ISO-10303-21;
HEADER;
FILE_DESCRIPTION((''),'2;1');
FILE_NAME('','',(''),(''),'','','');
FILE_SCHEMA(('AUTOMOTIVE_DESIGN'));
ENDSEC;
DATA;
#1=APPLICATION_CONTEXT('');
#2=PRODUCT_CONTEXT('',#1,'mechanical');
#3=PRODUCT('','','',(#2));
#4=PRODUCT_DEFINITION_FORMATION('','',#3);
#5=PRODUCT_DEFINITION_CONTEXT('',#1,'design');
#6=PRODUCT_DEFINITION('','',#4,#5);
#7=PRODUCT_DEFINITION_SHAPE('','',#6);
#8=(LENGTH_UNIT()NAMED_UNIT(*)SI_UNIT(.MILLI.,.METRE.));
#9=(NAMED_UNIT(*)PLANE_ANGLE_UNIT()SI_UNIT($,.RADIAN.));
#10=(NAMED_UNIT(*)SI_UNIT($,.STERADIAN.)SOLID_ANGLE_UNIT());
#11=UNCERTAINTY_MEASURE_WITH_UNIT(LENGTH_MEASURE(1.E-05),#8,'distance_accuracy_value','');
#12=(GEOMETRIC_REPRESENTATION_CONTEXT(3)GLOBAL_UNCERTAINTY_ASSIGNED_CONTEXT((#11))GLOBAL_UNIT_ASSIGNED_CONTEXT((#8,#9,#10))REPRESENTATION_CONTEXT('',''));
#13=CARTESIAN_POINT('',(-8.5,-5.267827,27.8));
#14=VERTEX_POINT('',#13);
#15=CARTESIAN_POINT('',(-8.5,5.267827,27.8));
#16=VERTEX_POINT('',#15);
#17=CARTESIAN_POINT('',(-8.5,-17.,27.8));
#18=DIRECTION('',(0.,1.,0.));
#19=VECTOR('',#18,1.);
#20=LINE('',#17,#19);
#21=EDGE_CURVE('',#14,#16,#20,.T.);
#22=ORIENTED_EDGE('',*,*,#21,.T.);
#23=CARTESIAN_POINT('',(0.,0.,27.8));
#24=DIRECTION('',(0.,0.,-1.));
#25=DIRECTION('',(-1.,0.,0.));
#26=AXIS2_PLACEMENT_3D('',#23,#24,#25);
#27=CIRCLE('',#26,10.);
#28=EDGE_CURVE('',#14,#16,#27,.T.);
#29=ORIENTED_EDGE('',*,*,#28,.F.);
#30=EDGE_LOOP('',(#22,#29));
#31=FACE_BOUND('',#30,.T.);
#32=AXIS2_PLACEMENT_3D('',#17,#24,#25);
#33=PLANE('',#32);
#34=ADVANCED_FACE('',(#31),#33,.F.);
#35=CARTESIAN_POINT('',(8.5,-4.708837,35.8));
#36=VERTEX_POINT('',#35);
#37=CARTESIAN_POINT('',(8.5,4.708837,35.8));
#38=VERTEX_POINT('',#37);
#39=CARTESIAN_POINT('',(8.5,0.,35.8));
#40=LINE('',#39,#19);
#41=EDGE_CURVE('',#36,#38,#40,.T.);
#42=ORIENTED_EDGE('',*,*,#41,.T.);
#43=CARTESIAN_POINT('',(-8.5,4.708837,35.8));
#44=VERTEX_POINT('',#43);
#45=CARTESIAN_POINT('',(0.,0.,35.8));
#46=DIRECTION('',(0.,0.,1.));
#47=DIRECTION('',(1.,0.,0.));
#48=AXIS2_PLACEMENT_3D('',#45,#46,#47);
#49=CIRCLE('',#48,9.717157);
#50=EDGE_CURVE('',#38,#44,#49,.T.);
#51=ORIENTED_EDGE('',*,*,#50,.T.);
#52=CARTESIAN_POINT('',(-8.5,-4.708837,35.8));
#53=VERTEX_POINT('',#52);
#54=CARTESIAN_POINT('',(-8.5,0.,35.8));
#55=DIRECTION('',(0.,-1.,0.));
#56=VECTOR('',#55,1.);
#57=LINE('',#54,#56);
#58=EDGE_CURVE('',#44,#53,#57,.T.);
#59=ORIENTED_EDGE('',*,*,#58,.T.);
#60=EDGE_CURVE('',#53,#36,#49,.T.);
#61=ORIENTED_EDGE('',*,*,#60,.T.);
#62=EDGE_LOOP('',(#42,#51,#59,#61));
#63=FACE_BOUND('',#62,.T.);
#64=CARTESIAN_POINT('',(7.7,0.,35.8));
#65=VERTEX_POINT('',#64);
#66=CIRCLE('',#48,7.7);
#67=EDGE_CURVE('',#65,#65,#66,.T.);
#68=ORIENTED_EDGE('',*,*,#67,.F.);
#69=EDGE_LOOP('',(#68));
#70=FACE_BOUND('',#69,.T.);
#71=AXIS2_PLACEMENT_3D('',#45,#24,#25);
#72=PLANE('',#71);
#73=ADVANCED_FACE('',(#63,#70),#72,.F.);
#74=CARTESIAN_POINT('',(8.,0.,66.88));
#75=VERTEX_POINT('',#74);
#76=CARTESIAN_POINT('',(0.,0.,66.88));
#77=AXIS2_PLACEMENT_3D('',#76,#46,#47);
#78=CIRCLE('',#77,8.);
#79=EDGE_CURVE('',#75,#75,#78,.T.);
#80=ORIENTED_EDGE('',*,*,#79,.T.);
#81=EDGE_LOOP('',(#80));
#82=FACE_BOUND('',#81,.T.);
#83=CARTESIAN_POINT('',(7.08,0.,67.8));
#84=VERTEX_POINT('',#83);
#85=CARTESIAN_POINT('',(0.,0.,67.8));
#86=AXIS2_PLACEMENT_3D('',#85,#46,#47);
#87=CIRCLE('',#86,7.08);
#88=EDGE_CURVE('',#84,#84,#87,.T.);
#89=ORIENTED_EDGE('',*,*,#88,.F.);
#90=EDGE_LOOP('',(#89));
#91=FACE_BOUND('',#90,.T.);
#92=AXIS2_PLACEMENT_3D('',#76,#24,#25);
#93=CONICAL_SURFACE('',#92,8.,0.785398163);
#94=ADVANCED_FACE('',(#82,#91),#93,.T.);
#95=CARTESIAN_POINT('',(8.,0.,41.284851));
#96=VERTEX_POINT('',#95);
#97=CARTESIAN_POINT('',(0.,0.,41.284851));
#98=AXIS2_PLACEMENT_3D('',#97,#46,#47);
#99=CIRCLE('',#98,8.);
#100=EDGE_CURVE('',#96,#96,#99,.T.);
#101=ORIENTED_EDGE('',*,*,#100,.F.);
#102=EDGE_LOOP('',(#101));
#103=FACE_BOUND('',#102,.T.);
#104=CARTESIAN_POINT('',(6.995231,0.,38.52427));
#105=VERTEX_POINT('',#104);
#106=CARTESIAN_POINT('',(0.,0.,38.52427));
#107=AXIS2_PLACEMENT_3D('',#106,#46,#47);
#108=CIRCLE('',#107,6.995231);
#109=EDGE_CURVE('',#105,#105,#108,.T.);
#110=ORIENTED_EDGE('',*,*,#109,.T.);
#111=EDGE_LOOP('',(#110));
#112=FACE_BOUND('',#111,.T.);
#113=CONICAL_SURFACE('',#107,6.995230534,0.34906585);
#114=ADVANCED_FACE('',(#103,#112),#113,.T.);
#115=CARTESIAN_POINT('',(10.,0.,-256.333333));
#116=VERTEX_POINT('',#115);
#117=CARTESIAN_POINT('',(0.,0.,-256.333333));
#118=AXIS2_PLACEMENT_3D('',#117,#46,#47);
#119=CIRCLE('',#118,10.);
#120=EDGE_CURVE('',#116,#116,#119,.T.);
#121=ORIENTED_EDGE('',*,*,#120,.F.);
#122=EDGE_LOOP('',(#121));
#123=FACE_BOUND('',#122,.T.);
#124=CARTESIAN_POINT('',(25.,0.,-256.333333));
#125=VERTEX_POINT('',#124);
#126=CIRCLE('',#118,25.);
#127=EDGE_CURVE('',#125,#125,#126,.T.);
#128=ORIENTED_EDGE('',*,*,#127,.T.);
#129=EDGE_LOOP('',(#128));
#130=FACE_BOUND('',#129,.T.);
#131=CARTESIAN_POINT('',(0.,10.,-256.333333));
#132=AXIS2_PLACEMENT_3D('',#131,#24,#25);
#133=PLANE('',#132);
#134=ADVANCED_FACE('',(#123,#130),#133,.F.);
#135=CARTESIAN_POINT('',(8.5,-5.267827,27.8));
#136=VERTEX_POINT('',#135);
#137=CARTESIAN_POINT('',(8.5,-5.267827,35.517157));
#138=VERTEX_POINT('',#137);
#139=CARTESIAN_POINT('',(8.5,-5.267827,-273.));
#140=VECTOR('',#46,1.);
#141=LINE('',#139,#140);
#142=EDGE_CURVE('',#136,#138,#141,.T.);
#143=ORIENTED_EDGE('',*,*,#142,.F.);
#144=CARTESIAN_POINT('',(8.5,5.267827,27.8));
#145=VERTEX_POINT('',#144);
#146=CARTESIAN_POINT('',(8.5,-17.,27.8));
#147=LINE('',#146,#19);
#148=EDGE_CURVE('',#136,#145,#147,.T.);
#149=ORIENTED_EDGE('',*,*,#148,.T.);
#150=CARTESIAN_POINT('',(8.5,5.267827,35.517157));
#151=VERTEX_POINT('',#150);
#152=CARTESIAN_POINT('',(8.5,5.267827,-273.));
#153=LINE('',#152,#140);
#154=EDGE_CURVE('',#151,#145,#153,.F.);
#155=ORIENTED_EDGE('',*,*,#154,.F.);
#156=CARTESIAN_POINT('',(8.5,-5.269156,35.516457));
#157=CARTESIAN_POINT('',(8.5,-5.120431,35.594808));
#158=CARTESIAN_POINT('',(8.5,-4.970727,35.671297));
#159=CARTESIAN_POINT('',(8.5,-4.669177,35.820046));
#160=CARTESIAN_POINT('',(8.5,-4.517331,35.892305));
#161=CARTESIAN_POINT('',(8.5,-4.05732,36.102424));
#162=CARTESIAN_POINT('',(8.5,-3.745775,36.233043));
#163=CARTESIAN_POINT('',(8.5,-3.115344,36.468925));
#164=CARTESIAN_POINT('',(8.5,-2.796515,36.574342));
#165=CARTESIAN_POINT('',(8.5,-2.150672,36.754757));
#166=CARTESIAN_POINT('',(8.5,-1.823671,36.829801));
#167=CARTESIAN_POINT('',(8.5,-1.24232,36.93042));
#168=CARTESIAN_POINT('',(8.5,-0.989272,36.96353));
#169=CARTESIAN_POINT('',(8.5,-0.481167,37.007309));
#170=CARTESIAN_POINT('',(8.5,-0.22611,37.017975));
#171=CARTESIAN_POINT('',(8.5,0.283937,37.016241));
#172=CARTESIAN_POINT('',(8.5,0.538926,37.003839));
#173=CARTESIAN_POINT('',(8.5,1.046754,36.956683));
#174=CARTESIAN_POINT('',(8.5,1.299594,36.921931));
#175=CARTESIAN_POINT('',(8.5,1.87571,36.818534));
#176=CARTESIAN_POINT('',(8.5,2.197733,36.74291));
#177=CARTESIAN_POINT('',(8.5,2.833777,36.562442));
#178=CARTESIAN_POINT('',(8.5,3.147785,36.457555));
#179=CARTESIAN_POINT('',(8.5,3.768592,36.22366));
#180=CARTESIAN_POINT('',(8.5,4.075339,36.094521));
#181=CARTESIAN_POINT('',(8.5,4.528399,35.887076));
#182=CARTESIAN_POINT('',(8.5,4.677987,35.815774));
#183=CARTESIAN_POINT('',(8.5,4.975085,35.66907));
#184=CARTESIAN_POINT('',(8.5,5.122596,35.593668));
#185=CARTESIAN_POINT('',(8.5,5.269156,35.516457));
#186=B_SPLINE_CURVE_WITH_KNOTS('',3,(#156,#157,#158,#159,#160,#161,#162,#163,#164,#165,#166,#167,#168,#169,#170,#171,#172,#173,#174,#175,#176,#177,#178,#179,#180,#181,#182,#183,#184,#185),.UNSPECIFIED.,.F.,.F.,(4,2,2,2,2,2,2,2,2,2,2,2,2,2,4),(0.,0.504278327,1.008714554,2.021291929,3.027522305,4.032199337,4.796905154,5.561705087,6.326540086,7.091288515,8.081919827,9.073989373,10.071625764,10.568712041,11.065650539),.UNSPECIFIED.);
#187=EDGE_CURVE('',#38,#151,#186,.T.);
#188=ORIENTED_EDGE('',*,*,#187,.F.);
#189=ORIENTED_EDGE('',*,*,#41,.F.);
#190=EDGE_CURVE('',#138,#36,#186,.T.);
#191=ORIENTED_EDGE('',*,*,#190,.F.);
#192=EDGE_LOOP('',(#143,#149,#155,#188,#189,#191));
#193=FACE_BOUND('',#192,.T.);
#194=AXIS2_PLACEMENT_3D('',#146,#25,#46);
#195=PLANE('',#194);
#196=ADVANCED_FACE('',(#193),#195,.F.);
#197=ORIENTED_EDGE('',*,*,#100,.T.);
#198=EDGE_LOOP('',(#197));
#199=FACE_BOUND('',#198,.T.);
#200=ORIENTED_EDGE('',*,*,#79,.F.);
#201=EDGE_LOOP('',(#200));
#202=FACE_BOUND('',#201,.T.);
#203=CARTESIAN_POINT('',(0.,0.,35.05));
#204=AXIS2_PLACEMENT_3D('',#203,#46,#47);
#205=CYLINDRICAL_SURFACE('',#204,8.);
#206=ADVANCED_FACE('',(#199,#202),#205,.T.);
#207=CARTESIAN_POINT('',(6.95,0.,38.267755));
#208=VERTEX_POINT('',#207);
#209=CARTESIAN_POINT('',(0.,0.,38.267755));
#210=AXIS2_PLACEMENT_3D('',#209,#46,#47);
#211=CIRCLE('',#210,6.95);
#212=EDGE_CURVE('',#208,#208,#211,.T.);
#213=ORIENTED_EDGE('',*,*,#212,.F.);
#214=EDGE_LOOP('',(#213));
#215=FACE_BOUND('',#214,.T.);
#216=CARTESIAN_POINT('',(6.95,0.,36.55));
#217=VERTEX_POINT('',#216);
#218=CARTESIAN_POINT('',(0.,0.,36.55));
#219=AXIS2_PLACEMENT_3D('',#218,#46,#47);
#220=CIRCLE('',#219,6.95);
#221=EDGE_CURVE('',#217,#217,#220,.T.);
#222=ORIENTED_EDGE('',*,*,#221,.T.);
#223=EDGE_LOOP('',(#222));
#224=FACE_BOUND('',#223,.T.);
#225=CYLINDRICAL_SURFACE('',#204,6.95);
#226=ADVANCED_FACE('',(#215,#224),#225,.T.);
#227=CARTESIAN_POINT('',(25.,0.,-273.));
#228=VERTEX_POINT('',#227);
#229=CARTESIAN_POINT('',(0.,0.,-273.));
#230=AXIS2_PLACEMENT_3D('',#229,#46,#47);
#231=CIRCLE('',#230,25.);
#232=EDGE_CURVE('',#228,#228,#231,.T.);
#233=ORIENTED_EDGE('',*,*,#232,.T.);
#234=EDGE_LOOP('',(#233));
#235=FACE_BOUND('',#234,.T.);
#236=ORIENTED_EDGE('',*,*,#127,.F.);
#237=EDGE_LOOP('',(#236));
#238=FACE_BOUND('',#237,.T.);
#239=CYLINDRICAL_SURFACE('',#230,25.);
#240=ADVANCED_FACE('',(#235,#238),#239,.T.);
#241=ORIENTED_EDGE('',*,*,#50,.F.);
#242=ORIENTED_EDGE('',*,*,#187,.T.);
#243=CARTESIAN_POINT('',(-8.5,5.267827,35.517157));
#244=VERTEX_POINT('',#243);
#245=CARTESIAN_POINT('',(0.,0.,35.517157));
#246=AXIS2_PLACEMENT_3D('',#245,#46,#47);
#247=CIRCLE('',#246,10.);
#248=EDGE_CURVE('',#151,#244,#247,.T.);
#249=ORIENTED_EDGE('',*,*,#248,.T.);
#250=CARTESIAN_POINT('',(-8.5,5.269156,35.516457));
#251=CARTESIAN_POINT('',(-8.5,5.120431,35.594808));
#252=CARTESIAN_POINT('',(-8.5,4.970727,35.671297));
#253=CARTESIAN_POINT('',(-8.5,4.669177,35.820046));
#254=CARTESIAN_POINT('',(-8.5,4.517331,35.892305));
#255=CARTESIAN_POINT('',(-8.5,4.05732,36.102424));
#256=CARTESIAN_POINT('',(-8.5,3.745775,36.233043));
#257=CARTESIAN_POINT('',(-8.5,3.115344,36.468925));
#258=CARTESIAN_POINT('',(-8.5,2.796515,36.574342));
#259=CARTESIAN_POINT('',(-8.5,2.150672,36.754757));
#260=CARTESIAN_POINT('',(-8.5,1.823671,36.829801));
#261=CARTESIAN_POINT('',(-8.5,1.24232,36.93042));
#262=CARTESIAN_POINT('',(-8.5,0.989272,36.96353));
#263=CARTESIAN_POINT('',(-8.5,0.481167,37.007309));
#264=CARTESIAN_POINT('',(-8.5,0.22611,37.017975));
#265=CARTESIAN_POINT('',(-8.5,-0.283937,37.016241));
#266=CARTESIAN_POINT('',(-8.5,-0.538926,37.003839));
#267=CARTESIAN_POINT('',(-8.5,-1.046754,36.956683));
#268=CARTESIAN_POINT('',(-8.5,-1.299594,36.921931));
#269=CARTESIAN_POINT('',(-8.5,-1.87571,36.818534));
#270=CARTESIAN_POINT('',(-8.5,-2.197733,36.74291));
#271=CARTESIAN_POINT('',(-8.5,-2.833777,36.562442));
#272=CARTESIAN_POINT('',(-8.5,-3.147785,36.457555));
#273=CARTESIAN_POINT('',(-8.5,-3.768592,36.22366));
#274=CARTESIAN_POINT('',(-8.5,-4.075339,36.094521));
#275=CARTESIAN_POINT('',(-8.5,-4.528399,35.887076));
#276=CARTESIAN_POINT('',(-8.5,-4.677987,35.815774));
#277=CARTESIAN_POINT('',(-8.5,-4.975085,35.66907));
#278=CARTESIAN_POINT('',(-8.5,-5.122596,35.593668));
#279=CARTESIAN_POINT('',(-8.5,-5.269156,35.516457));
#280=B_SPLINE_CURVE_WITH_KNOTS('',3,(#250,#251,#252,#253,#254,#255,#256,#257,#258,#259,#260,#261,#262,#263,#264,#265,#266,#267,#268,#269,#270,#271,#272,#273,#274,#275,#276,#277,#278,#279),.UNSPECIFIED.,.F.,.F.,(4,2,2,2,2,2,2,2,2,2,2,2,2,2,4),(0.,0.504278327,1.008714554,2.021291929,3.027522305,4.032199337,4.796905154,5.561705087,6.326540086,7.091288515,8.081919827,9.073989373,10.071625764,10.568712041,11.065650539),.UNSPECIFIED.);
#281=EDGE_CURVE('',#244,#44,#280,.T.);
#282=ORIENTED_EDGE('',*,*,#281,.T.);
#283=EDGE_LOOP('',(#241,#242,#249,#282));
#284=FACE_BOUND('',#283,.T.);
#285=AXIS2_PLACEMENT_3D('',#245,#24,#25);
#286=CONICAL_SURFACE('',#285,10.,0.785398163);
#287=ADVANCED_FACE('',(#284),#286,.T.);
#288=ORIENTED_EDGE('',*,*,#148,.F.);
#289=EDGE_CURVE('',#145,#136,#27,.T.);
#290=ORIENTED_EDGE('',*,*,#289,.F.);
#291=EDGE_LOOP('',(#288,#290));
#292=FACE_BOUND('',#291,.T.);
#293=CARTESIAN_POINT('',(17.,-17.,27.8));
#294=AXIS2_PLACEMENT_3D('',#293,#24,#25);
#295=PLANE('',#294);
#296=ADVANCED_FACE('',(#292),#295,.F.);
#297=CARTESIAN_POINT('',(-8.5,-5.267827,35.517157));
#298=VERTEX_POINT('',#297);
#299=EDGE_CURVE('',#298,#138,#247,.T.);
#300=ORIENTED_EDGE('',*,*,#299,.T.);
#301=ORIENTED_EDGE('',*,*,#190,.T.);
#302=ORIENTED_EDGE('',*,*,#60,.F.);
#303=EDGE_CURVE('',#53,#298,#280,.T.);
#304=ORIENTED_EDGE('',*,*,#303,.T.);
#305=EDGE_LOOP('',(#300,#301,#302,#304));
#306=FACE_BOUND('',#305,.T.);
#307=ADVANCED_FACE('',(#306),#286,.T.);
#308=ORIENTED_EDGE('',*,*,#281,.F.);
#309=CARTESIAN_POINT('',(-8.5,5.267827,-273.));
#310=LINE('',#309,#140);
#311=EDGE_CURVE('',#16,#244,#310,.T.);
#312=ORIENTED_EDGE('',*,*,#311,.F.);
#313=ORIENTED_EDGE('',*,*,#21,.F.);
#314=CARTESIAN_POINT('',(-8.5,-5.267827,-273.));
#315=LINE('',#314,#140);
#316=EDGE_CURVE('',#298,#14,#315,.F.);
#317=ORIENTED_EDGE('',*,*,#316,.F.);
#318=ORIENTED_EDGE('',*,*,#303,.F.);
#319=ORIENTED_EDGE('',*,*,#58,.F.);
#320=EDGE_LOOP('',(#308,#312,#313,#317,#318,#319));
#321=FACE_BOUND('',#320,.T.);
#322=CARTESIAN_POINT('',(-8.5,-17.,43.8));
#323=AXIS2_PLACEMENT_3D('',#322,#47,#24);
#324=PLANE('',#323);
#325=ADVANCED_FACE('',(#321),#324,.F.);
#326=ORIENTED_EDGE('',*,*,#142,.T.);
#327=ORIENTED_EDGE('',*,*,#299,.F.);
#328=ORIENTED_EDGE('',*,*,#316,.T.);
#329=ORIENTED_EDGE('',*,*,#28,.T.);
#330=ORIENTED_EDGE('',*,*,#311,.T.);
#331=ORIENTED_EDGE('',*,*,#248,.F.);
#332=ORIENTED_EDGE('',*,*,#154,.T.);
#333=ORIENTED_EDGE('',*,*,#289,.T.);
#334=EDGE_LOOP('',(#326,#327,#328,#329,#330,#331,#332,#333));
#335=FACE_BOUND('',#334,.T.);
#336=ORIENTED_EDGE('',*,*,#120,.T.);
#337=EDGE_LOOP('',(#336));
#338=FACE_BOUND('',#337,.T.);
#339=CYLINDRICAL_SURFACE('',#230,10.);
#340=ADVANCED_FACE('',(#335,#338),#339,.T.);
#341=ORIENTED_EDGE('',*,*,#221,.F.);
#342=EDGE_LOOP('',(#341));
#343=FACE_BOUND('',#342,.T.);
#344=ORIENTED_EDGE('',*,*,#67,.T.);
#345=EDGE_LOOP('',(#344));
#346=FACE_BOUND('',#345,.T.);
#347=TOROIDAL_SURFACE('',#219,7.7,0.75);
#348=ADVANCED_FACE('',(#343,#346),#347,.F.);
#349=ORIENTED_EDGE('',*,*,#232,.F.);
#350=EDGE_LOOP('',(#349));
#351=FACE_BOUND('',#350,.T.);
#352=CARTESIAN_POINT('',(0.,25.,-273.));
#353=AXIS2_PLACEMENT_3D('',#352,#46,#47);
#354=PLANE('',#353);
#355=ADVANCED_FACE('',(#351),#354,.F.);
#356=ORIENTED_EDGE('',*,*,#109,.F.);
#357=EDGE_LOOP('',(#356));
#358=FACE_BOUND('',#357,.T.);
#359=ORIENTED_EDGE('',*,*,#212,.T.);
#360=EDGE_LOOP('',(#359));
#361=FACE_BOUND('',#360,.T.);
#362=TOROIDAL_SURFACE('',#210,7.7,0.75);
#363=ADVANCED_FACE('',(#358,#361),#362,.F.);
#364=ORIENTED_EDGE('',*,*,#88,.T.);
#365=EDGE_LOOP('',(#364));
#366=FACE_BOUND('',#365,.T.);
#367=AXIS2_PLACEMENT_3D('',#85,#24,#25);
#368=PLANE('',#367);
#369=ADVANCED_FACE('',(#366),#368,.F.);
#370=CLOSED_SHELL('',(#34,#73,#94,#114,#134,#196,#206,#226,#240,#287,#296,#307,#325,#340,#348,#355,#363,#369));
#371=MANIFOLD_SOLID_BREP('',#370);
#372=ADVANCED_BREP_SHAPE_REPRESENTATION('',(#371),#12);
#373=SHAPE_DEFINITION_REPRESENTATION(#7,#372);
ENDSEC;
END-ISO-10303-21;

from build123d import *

# Parameters (mm, degrees)
CUT_EXTRUDE1_DEPTH      = 17
CUT_EXTRUDE1_DEPTH_BACK = 17


with BuildPart() as part:
    # Sketch1 → Revolve1 (revolve)
    with BuildSketch(Plane(origin=(0, 0, 0), x_dir=(0, 0, -1), z_dir=(1, 0, 0))):
        Polygon((-35.8, 0), (-35.8, 9.717157288), (-35.517157288, 10), (256.333333333, 10), (256.333333333, 25), (273, 25), (273, 0), align=None)
    revolve(axis=Axis((0, 0, -273), (0, 0, 1)))

    # Sketch2 → Cut-Extrude1 (cut, two sides: drawn at the far end of the back side and taken through both)
    with BuildSketch(Plane(origin=(0, 0, 0), x_dir=(1, 0, 0), z_dir=(0, 1, 0)).offset(-CUT_EXTRUDE1_DEPTH_BACK)):
        Polygon((-17, -61.8), (17, -61.8), (17, -27.8), (8.5, -27.8), (8.5, -43.8), (-8.5, -43.8), (-8.5, -27.8), (-17, -27.8), align=None)
    extrude(amount=CUT_EXTRUDE1_DEPTH + CUT_EXTRUDE1_DEPTH_BACK, mode=Mode.SUBTRACT)

    # Sketch3 → Revolve2 (revolve)
    with BuildSketch(Plane(origin=(0, 0, 0), x_dir=(0, 0, -1), z_dir=(1, 0, 0))):
        with BuildLine():
            Line((-67.8, 0), (-67.8, 7.08))
            Line((-67.8, 7.08), (-66.88, 8))
            Line((-66.88, 8), (-41.28485129, 8))
            Line((-41.28485129, 8), (-38.524269872, 6.995230534))
            ThreePointArc((-38.524269872, 6.995230534), (-38.397990898, 6.961394185), (-38.267754764, 6.95))
            Line((-38.267754764, 6.95), (-36.55, 6.95))
            ThreePointArc((-36.55, 6.95), (-36.019669914, 7.169669914), (-35.8, 7.7))
            Line((-35.8, 7.7), (-35.05, 7.7))
            Line((-35.05, 7.7), (-35.05, 0))
            Line((-35.05, 0), (-67.8, 0))
        make_face()
    revolve(axis=Axis((0, 0, 35.05), (0, 0, 1)))


solid = part.part
